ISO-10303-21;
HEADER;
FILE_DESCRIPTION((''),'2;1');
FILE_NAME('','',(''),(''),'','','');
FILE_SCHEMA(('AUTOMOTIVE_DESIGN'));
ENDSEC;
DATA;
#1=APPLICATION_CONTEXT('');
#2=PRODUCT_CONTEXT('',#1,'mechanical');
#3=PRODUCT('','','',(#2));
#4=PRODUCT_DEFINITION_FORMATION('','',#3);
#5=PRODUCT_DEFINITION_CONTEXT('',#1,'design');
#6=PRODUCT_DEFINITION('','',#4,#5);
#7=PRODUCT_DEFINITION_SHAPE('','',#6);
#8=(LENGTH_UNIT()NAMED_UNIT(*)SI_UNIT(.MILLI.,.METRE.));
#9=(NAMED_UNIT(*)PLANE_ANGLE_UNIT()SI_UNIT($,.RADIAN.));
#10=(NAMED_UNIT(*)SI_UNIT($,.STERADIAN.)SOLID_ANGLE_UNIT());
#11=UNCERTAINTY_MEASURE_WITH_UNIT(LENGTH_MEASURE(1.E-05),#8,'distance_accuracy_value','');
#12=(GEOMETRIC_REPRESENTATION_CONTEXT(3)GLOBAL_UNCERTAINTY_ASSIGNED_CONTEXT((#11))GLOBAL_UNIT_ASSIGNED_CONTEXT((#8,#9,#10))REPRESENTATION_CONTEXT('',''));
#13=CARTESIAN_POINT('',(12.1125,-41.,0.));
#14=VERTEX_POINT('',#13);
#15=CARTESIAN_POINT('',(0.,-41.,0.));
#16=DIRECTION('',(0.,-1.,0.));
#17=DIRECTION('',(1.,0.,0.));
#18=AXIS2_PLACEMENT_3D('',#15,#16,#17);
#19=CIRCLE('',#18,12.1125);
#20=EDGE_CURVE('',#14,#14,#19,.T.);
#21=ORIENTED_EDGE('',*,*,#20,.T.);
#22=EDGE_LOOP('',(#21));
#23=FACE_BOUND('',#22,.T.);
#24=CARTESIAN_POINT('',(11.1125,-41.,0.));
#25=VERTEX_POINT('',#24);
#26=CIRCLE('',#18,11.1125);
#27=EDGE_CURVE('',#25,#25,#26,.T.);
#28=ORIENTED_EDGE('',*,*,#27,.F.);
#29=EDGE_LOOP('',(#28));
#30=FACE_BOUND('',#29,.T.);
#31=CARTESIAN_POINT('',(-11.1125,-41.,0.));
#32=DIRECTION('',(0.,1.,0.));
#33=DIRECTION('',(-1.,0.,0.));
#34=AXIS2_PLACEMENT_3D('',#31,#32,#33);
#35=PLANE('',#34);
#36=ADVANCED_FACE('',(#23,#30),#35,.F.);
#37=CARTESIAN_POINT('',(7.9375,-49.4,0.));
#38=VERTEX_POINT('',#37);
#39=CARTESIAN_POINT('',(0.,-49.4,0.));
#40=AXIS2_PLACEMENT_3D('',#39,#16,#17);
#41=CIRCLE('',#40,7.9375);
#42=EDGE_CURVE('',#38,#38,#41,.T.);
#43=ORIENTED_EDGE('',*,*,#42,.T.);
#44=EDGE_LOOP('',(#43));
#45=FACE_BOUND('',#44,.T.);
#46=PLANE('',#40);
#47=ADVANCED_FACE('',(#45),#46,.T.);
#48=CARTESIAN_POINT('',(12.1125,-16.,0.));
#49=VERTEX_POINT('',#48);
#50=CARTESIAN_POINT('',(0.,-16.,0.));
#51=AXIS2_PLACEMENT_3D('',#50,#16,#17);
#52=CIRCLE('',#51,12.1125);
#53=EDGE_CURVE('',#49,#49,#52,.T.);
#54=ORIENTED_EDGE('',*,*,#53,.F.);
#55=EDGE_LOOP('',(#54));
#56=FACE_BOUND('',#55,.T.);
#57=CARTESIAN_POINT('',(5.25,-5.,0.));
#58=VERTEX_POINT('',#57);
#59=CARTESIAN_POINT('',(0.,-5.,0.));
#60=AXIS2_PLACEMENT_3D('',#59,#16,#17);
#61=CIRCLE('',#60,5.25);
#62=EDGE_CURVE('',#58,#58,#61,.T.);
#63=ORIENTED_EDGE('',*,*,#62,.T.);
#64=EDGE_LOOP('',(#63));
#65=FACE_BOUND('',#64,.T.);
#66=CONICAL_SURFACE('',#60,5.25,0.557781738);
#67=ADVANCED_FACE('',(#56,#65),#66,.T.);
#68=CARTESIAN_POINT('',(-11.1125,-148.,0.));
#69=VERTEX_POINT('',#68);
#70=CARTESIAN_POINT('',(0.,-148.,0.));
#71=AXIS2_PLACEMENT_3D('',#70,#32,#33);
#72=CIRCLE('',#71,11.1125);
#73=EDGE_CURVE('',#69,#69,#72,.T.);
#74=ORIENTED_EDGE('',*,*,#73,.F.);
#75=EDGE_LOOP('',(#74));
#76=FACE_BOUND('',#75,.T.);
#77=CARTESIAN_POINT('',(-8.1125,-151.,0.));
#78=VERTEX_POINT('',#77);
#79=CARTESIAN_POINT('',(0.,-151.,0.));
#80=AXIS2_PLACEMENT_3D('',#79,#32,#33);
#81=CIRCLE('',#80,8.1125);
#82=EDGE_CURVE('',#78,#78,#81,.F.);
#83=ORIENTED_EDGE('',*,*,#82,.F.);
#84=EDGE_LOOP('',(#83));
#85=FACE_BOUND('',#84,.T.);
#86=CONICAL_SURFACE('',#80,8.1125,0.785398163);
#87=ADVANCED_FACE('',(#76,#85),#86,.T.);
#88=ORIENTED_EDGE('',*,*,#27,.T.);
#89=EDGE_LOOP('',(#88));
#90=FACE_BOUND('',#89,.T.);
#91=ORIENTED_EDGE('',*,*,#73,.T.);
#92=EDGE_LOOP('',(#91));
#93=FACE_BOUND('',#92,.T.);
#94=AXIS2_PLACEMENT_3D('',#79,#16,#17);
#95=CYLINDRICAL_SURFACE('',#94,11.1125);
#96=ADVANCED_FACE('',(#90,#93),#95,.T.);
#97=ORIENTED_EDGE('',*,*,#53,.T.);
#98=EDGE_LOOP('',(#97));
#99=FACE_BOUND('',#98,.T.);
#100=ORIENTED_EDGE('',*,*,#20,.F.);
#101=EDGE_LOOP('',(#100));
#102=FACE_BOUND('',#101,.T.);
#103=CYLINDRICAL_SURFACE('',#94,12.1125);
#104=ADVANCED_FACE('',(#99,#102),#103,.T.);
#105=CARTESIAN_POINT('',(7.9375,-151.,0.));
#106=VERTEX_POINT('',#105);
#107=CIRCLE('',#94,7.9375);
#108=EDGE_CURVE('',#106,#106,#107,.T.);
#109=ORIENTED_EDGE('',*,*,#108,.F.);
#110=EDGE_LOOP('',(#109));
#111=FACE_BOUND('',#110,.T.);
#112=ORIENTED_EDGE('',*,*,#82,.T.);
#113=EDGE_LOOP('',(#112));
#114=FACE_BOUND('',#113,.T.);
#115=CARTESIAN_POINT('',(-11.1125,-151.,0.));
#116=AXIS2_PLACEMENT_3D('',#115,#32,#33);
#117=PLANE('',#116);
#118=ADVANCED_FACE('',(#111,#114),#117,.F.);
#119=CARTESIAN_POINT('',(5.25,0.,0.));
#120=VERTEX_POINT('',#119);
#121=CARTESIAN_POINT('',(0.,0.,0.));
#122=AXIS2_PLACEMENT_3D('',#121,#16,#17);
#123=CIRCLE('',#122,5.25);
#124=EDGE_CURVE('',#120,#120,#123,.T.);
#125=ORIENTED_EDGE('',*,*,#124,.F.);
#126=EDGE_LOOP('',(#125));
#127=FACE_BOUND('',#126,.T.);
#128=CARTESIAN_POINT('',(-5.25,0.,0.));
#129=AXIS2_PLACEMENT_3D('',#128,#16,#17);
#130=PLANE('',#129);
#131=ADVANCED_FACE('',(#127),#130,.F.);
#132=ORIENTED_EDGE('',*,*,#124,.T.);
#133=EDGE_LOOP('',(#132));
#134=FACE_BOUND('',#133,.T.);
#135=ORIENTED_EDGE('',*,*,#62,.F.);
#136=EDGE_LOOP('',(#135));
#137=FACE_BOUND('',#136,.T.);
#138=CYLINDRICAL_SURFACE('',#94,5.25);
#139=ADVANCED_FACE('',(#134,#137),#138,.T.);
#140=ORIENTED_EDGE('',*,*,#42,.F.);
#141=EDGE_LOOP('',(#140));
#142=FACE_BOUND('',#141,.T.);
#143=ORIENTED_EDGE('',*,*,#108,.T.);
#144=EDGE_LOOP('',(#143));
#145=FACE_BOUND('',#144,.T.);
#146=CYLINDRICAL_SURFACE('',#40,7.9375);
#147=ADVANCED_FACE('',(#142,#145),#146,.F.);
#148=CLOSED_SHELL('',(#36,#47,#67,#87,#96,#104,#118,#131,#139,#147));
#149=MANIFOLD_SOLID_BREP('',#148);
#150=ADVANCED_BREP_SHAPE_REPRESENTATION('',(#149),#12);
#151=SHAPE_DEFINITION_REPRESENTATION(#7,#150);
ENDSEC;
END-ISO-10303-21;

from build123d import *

# Parameters (mm, degrees)
SKETCH4_R          = 7.9375
CUT_EXTRUDE2_DEPTH = 101.6
CHAMFER2_SIZE      = 3


with BuildPart() as part:
    # Sketch3 → Revolve1 (revolve)
    with BuildSketch(Plane.XY):
        Polygon((-11.1125, -151), (-11.1125, -41), (-12.1125, -41), (-12.1125, -16), (-5.25, -5), (-5.25, 0), (0, 0), (0, -151), align=None)
    revolve(axis=Axis((0, -151, 0), (0, 1, 0)))

    # Sketch4 → Cut-Extrude2 (cut)
    with BuildSketch(Plane.XZ.offset(151)):
        Circle(SKETCH4_R)
    extrude(amount=-CUT_EXTRUDE2_DEPTH, mode=Mode.SUBTRACT)

    # Chamfer2
    chamfer2_edges = [part.edges().sort_by_distance(p)[0] for p in [
        (11.1125, -151, 0),
    ]]
    chamfer(chamfer2_edges, length=CHAMFER2_SIZE)


solid = part.part
